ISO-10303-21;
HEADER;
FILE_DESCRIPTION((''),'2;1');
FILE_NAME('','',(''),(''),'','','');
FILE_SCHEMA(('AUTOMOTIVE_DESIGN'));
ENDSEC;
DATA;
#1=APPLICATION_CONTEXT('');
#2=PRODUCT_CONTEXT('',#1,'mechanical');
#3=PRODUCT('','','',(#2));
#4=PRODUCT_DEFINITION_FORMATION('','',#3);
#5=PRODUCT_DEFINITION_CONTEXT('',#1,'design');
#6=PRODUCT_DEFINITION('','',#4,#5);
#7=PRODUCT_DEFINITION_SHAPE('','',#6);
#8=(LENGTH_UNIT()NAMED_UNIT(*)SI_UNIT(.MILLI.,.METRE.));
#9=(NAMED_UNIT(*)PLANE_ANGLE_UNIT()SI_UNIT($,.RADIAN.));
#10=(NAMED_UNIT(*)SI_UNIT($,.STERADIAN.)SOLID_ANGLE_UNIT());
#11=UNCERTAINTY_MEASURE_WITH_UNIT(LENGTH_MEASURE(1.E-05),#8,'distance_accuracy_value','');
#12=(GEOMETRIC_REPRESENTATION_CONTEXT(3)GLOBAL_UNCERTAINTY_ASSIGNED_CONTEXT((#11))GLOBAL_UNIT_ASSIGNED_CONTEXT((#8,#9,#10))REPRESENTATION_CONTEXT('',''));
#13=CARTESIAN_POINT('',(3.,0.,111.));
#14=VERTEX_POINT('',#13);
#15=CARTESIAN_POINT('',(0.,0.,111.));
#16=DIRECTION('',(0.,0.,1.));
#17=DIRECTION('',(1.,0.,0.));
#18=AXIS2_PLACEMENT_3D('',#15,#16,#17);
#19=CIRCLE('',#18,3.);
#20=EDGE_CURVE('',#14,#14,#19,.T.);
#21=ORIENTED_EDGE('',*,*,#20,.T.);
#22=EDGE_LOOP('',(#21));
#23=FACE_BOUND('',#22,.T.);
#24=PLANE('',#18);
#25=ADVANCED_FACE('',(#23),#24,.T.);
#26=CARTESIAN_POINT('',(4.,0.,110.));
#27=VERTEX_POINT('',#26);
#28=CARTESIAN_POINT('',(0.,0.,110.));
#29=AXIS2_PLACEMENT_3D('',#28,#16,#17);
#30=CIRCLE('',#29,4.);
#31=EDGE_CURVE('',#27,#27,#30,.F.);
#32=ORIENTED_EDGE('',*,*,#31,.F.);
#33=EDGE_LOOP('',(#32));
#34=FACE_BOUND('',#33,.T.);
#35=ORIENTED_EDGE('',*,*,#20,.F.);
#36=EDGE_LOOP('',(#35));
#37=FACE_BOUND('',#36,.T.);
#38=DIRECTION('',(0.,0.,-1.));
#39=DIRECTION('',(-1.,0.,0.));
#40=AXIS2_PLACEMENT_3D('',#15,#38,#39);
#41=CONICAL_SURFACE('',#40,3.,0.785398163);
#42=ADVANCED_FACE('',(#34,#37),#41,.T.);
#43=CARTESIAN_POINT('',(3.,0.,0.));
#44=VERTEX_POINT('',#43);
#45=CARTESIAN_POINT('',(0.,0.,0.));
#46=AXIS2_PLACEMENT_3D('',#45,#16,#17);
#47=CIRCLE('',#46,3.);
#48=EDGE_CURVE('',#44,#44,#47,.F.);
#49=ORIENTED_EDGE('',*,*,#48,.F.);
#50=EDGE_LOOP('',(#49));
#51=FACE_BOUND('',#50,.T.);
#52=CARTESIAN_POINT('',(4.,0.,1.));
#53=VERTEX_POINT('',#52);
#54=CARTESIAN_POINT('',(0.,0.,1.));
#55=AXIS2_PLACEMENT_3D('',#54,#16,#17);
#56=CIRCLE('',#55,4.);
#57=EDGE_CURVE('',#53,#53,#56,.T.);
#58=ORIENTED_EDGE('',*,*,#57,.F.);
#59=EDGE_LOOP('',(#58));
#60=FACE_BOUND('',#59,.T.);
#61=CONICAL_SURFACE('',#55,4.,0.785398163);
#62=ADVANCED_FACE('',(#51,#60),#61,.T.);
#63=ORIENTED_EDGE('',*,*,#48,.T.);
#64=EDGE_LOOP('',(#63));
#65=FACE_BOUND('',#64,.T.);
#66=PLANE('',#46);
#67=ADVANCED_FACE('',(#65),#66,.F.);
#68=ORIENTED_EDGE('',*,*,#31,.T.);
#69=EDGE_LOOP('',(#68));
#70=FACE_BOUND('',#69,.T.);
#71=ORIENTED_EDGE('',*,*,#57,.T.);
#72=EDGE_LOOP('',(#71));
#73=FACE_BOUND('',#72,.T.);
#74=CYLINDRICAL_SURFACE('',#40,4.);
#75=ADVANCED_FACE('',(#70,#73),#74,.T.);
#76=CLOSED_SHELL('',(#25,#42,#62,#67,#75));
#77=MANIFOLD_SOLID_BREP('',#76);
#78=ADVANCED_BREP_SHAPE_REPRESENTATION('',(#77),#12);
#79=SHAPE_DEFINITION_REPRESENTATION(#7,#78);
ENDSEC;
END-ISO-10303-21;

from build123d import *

# Parameters (mm, degrees)
SKETCH1_R          = 4
BOSS_EXTRU_1_DEPTH = 111
CHANFREIN1_SIZE    = 1


with BuildPart() as part:
    # Sketch1 → Boss.-Extru.1 (new body)
    with BuildSketch(Plane.XY):
        Circle(SKETCH1_R)
    extrude(amount=BOSS_EXTRU_1_DEPTH)

    # Chanfrein1
    chanfrein1_edges = [part.edges().sort_by_distance(p)[0] for p in [
        (-4, 0, 0),
        (-4, 0, 111),
    ]]
    chamfer(chanfrein1_edges, length=CHANFREIN1_SIZE)


solid = part.part
